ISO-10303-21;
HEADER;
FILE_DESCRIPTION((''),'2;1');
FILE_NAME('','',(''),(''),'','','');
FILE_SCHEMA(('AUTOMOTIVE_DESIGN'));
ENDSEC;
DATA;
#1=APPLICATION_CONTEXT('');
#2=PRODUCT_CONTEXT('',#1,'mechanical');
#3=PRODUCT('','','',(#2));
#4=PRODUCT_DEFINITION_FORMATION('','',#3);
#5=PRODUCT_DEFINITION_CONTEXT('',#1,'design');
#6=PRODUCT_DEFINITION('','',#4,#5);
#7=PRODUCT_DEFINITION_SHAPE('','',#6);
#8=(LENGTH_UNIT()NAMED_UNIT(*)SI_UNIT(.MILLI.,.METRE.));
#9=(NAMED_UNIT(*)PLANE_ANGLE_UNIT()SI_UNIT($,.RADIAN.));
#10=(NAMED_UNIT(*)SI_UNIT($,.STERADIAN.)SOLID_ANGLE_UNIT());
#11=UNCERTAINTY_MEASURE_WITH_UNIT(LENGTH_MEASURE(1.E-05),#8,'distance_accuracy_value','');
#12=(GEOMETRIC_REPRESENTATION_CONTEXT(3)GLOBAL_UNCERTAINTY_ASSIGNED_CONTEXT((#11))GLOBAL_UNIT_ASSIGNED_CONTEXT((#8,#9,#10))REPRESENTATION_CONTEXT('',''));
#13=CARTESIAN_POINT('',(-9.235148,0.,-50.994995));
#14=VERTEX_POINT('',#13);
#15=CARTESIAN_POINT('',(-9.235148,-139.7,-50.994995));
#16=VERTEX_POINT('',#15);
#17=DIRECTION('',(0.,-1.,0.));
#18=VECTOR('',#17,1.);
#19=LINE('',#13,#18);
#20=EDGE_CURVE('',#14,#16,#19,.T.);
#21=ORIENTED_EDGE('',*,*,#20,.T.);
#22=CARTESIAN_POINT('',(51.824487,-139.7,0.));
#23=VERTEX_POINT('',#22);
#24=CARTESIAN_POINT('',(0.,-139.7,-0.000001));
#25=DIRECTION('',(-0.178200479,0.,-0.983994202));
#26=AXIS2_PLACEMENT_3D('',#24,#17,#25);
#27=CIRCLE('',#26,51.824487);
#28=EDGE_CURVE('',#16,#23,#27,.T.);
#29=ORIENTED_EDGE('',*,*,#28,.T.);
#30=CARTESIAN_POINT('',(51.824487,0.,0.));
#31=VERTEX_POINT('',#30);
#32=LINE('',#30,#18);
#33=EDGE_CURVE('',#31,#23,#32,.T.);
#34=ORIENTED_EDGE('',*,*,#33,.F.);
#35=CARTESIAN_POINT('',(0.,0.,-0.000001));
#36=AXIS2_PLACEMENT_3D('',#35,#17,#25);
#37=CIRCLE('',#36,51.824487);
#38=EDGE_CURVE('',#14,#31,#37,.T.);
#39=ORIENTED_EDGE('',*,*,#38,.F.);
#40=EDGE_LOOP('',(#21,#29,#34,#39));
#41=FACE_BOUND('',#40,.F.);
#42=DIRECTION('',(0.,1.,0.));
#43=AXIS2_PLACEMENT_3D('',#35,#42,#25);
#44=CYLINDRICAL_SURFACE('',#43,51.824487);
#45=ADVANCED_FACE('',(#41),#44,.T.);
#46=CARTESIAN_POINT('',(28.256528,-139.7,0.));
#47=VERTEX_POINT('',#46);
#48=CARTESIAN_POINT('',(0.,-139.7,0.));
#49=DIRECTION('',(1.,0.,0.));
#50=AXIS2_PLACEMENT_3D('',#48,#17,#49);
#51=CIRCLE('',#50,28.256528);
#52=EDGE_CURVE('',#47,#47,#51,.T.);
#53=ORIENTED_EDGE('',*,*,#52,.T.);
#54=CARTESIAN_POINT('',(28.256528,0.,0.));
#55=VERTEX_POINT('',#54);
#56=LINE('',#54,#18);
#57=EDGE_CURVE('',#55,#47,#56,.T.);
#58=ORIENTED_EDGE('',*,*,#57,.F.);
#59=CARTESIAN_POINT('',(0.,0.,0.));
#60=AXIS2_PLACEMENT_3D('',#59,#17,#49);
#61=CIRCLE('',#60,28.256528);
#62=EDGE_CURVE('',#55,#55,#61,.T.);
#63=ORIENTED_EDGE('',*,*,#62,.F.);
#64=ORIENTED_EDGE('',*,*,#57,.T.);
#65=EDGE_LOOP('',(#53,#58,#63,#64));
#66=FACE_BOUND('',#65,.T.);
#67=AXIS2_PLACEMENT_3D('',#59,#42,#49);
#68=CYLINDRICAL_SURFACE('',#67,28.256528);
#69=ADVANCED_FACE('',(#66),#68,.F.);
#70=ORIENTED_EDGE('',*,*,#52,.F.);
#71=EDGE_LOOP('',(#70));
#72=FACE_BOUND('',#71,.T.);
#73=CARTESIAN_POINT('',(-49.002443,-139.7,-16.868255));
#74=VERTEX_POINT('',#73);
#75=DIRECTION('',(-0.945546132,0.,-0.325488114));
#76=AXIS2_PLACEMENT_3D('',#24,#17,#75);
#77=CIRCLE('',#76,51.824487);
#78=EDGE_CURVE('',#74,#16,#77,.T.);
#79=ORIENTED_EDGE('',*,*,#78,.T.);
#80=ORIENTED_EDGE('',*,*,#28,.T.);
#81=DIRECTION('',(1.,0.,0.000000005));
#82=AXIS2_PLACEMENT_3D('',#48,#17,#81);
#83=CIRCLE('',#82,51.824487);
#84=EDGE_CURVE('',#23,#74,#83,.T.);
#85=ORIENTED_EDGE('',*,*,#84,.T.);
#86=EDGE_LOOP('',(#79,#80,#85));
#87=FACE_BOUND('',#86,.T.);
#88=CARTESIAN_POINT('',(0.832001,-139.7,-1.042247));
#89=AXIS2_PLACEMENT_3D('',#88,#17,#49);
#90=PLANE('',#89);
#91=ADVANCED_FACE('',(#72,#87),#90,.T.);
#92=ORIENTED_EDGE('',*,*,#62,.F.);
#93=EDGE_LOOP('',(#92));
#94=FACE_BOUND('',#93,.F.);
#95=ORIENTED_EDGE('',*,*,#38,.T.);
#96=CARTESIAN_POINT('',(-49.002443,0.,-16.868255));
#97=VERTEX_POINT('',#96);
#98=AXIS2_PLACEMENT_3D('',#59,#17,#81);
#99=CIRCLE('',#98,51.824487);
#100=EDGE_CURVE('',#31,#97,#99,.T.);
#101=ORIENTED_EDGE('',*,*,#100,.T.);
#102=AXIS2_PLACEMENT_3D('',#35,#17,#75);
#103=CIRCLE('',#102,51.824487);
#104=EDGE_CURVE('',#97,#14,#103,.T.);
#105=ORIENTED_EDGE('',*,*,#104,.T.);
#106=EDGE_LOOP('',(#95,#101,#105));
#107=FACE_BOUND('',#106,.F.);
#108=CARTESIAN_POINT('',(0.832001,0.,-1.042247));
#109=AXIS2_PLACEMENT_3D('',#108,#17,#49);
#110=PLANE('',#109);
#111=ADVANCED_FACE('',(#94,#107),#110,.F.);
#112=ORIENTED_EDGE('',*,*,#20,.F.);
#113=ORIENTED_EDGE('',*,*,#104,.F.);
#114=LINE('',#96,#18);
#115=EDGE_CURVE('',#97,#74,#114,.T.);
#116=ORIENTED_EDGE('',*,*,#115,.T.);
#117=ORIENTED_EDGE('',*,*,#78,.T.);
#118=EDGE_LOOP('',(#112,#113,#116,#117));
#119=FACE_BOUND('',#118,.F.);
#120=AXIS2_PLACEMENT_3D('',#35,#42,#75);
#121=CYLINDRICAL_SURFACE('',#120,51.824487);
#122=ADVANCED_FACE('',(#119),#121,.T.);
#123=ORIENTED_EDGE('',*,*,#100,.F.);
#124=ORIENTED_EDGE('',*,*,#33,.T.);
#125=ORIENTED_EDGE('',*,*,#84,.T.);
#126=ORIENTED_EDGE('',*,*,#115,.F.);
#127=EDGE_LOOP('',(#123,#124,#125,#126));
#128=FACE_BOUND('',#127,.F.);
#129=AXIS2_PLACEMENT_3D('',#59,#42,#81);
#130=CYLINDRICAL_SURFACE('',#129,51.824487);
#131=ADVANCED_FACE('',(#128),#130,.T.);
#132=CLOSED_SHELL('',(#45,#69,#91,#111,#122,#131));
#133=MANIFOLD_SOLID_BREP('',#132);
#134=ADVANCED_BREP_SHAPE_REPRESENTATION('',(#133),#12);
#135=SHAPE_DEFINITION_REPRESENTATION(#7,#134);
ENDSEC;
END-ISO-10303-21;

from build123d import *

# Parameters (mm, degrees)
F0_R     = 28.256528
F1_DEPTH = 139.7


with BuildPart() as f1:
    # F0 (on Front) → F1 (new body)
    with BuildSketch(Plane.XZ):
        with BuildLine():
            ThreePointArc((-9.235148, -50.994995), (33.220255, -39.776779), (51.824487, 0))
            ThreePointArc((51.824487, 0), (-8.551344, 51.114107), (-49.002443, -16.868255))
            Line((-49.002443, -16.868255), (-29.229837, -16.868255))
            Line((-29.229837, -16.868255), (-9.235148, -50.994995))
        make_face()
        Circle(F0_R, mode=Mode.SUBTRACT)
        with BuildLine():
            Line((-29.229837, -16.868255), (-49.002443, -16.868255))
            ThreePointArc((-49.002443, -16.868255), (-33.750005, -39.328293), (-9.235148, -50.994995))
            Line((-9.235148, -50.994995), (-29.229837, -16.868255))
        make_face()
    extrude(amount=F1_DEPTH)


solid = f1.part
